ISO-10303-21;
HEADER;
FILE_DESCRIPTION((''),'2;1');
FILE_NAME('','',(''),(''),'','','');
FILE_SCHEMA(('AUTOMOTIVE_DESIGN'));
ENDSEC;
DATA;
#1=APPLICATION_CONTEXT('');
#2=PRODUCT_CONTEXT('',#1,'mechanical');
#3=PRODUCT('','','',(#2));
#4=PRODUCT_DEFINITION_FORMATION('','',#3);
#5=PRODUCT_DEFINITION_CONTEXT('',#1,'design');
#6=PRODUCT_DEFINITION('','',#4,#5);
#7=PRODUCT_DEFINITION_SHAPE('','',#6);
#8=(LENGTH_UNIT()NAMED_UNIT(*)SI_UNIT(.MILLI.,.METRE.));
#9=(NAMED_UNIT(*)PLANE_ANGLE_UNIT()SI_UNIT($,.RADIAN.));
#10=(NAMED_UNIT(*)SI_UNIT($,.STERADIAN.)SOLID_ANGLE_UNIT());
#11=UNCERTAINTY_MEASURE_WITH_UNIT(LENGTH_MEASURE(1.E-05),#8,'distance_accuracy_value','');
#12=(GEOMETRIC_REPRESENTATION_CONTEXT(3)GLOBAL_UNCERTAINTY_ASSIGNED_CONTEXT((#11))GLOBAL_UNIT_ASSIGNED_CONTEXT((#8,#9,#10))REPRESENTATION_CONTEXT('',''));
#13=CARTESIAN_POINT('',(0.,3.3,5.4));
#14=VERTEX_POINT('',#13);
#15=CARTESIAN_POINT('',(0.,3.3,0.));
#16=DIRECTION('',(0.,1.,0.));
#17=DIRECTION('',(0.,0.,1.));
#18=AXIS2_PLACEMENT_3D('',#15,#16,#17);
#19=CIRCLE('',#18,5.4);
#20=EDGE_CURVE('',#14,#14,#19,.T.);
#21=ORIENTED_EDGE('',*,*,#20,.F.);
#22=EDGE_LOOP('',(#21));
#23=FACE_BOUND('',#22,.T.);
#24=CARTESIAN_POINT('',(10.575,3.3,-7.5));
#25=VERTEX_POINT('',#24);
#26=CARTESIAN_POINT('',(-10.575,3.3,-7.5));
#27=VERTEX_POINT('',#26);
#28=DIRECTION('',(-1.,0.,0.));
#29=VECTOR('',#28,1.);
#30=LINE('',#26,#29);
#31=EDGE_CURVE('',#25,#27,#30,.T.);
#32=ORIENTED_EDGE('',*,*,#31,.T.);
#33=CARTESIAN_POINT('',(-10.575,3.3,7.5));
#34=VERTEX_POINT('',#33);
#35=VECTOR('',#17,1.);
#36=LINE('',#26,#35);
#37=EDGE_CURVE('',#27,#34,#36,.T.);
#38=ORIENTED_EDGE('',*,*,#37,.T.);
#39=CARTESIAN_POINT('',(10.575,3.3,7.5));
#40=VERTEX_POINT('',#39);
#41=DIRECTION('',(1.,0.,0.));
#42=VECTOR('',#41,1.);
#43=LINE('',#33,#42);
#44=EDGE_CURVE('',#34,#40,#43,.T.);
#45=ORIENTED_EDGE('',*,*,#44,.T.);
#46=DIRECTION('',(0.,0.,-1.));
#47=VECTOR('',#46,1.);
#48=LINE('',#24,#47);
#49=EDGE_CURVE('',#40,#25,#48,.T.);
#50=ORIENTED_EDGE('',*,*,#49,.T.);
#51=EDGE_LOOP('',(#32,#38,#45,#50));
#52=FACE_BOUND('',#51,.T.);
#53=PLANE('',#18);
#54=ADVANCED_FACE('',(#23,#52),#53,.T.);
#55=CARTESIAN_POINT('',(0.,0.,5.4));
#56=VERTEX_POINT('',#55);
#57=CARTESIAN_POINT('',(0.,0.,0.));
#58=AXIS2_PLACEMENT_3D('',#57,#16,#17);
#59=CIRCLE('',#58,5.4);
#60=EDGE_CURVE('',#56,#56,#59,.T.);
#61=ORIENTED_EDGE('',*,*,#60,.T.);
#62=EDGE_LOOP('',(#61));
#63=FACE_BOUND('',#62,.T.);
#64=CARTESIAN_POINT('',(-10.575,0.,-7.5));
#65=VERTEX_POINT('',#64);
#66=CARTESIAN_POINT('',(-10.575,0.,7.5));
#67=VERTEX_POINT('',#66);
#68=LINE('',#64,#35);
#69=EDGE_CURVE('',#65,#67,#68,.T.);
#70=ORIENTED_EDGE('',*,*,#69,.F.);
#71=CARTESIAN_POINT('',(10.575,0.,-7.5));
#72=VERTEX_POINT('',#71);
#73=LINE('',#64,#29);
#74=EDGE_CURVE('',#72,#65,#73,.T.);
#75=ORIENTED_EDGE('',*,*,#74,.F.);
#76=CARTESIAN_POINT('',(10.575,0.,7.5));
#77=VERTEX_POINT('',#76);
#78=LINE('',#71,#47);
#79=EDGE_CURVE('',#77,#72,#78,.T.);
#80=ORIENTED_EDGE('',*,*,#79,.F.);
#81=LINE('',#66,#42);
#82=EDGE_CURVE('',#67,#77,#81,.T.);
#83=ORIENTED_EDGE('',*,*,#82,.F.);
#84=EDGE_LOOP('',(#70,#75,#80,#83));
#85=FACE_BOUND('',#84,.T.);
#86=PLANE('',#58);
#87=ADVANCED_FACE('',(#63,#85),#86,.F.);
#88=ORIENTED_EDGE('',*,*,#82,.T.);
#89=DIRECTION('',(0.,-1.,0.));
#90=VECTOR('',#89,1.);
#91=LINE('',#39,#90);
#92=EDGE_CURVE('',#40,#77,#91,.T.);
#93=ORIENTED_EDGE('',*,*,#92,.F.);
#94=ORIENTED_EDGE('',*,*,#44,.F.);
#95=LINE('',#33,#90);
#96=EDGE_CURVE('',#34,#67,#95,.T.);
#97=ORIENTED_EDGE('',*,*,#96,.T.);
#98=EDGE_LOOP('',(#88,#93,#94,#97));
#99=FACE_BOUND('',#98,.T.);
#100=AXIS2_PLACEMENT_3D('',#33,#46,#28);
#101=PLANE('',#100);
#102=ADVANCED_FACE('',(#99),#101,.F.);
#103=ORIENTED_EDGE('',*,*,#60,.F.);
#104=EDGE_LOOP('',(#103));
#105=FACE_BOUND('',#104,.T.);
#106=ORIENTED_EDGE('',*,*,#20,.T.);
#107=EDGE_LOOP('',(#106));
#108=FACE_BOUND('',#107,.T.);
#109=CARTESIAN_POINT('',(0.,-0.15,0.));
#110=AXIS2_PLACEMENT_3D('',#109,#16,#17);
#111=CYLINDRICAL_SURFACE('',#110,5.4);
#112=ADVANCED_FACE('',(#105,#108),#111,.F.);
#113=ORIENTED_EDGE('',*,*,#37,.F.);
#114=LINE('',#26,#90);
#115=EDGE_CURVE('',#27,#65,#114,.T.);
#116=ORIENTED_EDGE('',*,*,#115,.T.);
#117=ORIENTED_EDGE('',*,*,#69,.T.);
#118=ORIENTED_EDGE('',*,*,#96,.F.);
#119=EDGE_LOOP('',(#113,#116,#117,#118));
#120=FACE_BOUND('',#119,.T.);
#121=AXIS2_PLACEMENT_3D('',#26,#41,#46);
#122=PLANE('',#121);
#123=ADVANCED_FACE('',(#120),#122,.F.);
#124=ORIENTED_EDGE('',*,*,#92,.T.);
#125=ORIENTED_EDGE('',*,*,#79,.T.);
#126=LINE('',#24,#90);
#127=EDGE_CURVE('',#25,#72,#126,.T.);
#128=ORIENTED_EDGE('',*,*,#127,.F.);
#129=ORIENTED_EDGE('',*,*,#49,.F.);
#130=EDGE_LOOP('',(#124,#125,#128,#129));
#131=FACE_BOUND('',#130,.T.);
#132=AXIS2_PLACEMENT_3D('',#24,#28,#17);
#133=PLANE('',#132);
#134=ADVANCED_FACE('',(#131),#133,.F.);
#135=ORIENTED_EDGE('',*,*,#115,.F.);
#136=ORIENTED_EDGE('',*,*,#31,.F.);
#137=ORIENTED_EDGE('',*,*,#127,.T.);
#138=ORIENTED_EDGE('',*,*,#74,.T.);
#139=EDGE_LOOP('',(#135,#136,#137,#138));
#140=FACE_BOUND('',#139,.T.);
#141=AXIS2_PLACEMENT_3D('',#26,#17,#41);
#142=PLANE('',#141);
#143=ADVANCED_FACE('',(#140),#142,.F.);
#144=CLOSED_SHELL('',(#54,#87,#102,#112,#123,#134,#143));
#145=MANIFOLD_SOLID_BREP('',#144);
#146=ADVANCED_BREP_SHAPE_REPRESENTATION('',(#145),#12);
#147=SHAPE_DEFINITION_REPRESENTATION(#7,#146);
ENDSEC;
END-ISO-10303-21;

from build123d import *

# Parameters (mm, degrees)
SKETCH1_W           = 21.15
SKETCH1_H           = 15
BOSS_EXTRUDE2_DEPTH = 3.3
SKETCH3_R           = 5.4
CUT_EXTRUDE2_DEPTH  = 3.45


with BuildPart() as part:
    # Sketch1 → Boss-Extrude2 (new body)
    with BuildSketch(Plane(origin=(0, 0, 0), x_dir=(1, 0, 0), z_dir=(0, 1, 0))):
        Rectangle(SKETCH1_W, SKETCH1_H)
    extrude(amount=BOSS_EXTRUDE2_DEPTH)

    # Sketch3 → Cut-Extrude2 (cut)
    with BuildSketch(Plane(origin=(0, 3.3, 0), x_dir=(1, 0, 0), z_dir=(0, 1, 0))):
        Circle(SKETCH3_R)
    extrude(amount=-CUT_EXTRUDE2_DEPTH, mode=Mode.SUBTRACT)


solid = part.part
